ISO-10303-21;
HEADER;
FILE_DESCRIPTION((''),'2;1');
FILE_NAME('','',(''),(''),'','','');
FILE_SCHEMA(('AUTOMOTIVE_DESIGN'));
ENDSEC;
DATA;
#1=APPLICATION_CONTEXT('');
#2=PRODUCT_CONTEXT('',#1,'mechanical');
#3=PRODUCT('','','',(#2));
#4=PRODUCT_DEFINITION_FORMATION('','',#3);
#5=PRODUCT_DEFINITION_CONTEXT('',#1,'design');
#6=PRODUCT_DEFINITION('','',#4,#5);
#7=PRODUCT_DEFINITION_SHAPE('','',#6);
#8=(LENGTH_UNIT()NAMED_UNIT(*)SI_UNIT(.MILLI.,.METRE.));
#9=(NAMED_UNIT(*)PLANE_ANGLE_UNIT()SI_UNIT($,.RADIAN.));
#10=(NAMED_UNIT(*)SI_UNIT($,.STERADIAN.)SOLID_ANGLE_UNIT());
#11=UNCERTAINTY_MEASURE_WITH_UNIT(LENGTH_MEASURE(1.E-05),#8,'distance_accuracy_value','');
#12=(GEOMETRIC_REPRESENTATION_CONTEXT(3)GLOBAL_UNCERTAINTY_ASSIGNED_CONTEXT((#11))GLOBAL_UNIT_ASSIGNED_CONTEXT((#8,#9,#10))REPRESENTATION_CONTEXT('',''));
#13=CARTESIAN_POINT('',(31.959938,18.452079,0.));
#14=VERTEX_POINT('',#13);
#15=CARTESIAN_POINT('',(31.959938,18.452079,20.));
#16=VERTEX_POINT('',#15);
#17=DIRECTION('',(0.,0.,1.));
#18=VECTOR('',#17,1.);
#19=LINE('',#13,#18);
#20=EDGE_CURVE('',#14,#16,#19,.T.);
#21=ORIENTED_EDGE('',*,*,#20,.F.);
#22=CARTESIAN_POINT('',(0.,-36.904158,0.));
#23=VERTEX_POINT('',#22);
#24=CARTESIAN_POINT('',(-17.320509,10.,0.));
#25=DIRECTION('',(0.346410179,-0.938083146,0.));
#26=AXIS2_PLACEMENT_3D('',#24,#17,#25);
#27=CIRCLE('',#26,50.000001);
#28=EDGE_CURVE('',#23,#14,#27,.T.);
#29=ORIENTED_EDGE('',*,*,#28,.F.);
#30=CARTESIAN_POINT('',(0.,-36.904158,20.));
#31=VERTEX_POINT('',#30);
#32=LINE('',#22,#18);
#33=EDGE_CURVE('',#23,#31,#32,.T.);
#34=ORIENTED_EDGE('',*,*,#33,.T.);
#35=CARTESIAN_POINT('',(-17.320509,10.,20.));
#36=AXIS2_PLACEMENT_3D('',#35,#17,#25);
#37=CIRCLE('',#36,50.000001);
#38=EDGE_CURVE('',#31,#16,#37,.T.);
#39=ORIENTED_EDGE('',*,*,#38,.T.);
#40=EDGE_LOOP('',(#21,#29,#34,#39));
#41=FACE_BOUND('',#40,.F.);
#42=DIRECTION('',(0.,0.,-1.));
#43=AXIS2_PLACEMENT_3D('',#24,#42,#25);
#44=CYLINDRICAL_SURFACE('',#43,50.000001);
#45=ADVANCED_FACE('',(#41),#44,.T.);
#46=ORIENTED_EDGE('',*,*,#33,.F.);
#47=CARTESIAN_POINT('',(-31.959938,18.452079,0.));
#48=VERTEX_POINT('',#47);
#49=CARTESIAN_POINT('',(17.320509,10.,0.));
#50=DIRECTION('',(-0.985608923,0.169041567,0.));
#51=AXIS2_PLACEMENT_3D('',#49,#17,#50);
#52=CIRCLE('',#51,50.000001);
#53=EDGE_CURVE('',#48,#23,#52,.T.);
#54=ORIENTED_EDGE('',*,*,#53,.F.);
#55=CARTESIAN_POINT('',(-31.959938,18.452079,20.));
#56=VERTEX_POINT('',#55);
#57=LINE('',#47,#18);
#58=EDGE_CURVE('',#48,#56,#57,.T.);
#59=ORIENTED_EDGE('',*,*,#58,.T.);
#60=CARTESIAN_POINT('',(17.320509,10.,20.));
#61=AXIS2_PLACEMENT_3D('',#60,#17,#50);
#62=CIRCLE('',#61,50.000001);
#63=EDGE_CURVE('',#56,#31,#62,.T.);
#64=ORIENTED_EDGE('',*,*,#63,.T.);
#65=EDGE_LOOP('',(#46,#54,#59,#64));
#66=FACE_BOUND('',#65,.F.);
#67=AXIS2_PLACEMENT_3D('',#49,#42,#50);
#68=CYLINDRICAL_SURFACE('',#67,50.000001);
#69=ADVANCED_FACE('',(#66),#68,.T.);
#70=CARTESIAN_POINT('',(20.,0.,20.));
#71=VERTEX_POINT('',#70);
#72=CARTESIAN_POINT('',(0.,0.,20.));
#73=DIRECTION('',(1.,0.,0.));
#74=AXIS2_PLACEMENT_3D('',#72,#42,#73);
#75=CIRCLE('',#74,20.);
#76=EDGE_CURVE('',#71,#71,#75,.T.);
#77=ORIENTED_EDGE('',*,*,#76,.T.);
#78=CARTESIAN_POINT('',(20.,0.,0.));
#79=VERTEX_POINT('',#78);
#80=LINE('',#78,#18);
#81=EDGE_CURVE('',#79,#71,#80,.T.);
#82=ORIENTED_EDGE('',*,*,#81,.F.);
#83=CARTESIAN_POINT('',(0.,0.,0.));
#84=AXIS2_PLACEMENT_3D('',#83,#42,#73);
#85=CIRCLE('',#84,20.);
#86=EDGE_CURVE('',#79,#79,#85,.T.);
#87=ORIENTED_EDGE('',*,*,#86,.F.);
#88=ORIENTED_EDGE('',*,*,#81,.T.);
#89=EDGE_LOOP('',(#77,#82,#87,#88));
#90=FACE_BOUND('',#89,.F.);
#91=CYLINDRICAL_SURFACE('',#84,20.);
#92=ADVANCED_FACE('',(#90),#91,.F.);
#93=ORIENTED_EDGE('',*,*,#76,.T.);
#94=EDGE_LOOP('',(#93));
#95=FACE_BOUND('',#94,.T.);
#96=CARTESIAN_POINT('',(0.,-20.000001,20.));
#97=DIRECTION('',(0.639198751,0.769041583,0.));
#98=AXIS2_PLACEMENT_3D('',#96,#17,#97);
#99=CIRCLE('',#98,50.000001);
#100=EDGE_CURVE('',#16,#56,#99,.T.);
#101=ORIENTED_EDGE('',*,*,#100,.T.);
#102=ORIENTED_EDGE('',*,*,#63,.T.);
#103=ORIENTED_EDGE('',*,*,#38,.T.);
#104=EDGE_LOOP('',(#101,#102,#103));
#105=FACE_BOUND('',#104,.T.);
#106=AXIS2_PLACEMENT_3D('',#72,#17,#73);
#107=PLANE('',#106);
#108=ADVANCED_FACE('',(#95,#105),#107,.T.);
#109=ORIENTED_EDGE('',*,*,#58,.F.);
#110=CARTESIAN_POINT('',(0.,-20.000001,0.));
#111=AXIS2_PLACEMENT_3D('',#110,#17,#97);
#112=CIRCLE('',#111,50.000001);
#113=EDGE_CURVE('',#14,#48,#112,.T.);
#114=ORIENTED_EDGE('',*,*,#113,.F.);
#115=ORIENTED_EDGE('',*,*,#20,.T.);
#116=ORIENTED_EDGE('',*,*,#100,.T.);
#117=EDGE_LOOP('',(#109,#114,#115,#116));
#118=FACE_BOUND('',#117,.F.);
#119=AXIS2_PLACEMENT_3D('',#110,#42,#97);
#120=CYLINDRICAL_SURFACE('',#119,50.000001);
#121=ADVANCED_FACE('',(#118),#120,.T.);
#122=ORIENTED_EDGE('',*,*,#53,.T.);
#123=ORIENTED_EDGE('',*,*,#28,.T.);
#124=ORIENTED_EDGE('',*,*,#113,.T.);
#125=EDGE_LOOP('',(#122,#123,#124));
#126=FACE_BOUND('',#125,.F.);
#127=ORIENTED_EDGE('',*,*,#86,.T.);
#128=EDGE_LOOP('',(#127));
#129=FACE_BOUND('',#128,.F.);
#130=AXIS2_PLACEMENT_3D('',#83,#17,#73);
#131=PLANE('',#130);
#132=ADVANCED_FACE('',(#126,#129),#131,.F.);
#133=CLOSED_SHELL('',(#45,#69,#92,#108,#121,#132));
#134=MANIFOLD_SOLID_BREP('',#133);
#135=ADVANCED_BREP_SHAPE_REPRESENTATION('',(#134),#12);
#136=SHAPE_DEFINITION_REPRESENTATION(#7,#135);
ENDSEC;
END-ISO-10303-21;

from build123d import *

# Parameters (mm, degrees)
F1_DEPTH = 20
F2_R     = 20
F3_DEPTH = 20


with BuildPart() as f1:
    # F0 (on Top) → F1 (new body)
    with BuildSketch(Plane.XY):
        with BuildLine():
            ThreePointArc((31.959938, 18.452079), (0, 30), (-31.959938, 18.452079))
            ThreePointArc((-31.959938, 18.452079), (-25.980762, -15), (0, -36.904158))
            ThreePointArc((0, -36.904158), (25.980762, -15), (31.959938, 18.452079))
        make_face()
    extrude(amount=F1_DEPTH)

    # F2 (on face) → F3 (cut)
    with BuildSketch(Plane(origin=(0, 0, 0), x_dir=(1, 0, 0), z_dir=(0, 0, -1))):
        Circle(F2_R)
    extrude(amount=-F3_DEPTH, mode=Mode.SUBTRACT)


solid = f1.part
